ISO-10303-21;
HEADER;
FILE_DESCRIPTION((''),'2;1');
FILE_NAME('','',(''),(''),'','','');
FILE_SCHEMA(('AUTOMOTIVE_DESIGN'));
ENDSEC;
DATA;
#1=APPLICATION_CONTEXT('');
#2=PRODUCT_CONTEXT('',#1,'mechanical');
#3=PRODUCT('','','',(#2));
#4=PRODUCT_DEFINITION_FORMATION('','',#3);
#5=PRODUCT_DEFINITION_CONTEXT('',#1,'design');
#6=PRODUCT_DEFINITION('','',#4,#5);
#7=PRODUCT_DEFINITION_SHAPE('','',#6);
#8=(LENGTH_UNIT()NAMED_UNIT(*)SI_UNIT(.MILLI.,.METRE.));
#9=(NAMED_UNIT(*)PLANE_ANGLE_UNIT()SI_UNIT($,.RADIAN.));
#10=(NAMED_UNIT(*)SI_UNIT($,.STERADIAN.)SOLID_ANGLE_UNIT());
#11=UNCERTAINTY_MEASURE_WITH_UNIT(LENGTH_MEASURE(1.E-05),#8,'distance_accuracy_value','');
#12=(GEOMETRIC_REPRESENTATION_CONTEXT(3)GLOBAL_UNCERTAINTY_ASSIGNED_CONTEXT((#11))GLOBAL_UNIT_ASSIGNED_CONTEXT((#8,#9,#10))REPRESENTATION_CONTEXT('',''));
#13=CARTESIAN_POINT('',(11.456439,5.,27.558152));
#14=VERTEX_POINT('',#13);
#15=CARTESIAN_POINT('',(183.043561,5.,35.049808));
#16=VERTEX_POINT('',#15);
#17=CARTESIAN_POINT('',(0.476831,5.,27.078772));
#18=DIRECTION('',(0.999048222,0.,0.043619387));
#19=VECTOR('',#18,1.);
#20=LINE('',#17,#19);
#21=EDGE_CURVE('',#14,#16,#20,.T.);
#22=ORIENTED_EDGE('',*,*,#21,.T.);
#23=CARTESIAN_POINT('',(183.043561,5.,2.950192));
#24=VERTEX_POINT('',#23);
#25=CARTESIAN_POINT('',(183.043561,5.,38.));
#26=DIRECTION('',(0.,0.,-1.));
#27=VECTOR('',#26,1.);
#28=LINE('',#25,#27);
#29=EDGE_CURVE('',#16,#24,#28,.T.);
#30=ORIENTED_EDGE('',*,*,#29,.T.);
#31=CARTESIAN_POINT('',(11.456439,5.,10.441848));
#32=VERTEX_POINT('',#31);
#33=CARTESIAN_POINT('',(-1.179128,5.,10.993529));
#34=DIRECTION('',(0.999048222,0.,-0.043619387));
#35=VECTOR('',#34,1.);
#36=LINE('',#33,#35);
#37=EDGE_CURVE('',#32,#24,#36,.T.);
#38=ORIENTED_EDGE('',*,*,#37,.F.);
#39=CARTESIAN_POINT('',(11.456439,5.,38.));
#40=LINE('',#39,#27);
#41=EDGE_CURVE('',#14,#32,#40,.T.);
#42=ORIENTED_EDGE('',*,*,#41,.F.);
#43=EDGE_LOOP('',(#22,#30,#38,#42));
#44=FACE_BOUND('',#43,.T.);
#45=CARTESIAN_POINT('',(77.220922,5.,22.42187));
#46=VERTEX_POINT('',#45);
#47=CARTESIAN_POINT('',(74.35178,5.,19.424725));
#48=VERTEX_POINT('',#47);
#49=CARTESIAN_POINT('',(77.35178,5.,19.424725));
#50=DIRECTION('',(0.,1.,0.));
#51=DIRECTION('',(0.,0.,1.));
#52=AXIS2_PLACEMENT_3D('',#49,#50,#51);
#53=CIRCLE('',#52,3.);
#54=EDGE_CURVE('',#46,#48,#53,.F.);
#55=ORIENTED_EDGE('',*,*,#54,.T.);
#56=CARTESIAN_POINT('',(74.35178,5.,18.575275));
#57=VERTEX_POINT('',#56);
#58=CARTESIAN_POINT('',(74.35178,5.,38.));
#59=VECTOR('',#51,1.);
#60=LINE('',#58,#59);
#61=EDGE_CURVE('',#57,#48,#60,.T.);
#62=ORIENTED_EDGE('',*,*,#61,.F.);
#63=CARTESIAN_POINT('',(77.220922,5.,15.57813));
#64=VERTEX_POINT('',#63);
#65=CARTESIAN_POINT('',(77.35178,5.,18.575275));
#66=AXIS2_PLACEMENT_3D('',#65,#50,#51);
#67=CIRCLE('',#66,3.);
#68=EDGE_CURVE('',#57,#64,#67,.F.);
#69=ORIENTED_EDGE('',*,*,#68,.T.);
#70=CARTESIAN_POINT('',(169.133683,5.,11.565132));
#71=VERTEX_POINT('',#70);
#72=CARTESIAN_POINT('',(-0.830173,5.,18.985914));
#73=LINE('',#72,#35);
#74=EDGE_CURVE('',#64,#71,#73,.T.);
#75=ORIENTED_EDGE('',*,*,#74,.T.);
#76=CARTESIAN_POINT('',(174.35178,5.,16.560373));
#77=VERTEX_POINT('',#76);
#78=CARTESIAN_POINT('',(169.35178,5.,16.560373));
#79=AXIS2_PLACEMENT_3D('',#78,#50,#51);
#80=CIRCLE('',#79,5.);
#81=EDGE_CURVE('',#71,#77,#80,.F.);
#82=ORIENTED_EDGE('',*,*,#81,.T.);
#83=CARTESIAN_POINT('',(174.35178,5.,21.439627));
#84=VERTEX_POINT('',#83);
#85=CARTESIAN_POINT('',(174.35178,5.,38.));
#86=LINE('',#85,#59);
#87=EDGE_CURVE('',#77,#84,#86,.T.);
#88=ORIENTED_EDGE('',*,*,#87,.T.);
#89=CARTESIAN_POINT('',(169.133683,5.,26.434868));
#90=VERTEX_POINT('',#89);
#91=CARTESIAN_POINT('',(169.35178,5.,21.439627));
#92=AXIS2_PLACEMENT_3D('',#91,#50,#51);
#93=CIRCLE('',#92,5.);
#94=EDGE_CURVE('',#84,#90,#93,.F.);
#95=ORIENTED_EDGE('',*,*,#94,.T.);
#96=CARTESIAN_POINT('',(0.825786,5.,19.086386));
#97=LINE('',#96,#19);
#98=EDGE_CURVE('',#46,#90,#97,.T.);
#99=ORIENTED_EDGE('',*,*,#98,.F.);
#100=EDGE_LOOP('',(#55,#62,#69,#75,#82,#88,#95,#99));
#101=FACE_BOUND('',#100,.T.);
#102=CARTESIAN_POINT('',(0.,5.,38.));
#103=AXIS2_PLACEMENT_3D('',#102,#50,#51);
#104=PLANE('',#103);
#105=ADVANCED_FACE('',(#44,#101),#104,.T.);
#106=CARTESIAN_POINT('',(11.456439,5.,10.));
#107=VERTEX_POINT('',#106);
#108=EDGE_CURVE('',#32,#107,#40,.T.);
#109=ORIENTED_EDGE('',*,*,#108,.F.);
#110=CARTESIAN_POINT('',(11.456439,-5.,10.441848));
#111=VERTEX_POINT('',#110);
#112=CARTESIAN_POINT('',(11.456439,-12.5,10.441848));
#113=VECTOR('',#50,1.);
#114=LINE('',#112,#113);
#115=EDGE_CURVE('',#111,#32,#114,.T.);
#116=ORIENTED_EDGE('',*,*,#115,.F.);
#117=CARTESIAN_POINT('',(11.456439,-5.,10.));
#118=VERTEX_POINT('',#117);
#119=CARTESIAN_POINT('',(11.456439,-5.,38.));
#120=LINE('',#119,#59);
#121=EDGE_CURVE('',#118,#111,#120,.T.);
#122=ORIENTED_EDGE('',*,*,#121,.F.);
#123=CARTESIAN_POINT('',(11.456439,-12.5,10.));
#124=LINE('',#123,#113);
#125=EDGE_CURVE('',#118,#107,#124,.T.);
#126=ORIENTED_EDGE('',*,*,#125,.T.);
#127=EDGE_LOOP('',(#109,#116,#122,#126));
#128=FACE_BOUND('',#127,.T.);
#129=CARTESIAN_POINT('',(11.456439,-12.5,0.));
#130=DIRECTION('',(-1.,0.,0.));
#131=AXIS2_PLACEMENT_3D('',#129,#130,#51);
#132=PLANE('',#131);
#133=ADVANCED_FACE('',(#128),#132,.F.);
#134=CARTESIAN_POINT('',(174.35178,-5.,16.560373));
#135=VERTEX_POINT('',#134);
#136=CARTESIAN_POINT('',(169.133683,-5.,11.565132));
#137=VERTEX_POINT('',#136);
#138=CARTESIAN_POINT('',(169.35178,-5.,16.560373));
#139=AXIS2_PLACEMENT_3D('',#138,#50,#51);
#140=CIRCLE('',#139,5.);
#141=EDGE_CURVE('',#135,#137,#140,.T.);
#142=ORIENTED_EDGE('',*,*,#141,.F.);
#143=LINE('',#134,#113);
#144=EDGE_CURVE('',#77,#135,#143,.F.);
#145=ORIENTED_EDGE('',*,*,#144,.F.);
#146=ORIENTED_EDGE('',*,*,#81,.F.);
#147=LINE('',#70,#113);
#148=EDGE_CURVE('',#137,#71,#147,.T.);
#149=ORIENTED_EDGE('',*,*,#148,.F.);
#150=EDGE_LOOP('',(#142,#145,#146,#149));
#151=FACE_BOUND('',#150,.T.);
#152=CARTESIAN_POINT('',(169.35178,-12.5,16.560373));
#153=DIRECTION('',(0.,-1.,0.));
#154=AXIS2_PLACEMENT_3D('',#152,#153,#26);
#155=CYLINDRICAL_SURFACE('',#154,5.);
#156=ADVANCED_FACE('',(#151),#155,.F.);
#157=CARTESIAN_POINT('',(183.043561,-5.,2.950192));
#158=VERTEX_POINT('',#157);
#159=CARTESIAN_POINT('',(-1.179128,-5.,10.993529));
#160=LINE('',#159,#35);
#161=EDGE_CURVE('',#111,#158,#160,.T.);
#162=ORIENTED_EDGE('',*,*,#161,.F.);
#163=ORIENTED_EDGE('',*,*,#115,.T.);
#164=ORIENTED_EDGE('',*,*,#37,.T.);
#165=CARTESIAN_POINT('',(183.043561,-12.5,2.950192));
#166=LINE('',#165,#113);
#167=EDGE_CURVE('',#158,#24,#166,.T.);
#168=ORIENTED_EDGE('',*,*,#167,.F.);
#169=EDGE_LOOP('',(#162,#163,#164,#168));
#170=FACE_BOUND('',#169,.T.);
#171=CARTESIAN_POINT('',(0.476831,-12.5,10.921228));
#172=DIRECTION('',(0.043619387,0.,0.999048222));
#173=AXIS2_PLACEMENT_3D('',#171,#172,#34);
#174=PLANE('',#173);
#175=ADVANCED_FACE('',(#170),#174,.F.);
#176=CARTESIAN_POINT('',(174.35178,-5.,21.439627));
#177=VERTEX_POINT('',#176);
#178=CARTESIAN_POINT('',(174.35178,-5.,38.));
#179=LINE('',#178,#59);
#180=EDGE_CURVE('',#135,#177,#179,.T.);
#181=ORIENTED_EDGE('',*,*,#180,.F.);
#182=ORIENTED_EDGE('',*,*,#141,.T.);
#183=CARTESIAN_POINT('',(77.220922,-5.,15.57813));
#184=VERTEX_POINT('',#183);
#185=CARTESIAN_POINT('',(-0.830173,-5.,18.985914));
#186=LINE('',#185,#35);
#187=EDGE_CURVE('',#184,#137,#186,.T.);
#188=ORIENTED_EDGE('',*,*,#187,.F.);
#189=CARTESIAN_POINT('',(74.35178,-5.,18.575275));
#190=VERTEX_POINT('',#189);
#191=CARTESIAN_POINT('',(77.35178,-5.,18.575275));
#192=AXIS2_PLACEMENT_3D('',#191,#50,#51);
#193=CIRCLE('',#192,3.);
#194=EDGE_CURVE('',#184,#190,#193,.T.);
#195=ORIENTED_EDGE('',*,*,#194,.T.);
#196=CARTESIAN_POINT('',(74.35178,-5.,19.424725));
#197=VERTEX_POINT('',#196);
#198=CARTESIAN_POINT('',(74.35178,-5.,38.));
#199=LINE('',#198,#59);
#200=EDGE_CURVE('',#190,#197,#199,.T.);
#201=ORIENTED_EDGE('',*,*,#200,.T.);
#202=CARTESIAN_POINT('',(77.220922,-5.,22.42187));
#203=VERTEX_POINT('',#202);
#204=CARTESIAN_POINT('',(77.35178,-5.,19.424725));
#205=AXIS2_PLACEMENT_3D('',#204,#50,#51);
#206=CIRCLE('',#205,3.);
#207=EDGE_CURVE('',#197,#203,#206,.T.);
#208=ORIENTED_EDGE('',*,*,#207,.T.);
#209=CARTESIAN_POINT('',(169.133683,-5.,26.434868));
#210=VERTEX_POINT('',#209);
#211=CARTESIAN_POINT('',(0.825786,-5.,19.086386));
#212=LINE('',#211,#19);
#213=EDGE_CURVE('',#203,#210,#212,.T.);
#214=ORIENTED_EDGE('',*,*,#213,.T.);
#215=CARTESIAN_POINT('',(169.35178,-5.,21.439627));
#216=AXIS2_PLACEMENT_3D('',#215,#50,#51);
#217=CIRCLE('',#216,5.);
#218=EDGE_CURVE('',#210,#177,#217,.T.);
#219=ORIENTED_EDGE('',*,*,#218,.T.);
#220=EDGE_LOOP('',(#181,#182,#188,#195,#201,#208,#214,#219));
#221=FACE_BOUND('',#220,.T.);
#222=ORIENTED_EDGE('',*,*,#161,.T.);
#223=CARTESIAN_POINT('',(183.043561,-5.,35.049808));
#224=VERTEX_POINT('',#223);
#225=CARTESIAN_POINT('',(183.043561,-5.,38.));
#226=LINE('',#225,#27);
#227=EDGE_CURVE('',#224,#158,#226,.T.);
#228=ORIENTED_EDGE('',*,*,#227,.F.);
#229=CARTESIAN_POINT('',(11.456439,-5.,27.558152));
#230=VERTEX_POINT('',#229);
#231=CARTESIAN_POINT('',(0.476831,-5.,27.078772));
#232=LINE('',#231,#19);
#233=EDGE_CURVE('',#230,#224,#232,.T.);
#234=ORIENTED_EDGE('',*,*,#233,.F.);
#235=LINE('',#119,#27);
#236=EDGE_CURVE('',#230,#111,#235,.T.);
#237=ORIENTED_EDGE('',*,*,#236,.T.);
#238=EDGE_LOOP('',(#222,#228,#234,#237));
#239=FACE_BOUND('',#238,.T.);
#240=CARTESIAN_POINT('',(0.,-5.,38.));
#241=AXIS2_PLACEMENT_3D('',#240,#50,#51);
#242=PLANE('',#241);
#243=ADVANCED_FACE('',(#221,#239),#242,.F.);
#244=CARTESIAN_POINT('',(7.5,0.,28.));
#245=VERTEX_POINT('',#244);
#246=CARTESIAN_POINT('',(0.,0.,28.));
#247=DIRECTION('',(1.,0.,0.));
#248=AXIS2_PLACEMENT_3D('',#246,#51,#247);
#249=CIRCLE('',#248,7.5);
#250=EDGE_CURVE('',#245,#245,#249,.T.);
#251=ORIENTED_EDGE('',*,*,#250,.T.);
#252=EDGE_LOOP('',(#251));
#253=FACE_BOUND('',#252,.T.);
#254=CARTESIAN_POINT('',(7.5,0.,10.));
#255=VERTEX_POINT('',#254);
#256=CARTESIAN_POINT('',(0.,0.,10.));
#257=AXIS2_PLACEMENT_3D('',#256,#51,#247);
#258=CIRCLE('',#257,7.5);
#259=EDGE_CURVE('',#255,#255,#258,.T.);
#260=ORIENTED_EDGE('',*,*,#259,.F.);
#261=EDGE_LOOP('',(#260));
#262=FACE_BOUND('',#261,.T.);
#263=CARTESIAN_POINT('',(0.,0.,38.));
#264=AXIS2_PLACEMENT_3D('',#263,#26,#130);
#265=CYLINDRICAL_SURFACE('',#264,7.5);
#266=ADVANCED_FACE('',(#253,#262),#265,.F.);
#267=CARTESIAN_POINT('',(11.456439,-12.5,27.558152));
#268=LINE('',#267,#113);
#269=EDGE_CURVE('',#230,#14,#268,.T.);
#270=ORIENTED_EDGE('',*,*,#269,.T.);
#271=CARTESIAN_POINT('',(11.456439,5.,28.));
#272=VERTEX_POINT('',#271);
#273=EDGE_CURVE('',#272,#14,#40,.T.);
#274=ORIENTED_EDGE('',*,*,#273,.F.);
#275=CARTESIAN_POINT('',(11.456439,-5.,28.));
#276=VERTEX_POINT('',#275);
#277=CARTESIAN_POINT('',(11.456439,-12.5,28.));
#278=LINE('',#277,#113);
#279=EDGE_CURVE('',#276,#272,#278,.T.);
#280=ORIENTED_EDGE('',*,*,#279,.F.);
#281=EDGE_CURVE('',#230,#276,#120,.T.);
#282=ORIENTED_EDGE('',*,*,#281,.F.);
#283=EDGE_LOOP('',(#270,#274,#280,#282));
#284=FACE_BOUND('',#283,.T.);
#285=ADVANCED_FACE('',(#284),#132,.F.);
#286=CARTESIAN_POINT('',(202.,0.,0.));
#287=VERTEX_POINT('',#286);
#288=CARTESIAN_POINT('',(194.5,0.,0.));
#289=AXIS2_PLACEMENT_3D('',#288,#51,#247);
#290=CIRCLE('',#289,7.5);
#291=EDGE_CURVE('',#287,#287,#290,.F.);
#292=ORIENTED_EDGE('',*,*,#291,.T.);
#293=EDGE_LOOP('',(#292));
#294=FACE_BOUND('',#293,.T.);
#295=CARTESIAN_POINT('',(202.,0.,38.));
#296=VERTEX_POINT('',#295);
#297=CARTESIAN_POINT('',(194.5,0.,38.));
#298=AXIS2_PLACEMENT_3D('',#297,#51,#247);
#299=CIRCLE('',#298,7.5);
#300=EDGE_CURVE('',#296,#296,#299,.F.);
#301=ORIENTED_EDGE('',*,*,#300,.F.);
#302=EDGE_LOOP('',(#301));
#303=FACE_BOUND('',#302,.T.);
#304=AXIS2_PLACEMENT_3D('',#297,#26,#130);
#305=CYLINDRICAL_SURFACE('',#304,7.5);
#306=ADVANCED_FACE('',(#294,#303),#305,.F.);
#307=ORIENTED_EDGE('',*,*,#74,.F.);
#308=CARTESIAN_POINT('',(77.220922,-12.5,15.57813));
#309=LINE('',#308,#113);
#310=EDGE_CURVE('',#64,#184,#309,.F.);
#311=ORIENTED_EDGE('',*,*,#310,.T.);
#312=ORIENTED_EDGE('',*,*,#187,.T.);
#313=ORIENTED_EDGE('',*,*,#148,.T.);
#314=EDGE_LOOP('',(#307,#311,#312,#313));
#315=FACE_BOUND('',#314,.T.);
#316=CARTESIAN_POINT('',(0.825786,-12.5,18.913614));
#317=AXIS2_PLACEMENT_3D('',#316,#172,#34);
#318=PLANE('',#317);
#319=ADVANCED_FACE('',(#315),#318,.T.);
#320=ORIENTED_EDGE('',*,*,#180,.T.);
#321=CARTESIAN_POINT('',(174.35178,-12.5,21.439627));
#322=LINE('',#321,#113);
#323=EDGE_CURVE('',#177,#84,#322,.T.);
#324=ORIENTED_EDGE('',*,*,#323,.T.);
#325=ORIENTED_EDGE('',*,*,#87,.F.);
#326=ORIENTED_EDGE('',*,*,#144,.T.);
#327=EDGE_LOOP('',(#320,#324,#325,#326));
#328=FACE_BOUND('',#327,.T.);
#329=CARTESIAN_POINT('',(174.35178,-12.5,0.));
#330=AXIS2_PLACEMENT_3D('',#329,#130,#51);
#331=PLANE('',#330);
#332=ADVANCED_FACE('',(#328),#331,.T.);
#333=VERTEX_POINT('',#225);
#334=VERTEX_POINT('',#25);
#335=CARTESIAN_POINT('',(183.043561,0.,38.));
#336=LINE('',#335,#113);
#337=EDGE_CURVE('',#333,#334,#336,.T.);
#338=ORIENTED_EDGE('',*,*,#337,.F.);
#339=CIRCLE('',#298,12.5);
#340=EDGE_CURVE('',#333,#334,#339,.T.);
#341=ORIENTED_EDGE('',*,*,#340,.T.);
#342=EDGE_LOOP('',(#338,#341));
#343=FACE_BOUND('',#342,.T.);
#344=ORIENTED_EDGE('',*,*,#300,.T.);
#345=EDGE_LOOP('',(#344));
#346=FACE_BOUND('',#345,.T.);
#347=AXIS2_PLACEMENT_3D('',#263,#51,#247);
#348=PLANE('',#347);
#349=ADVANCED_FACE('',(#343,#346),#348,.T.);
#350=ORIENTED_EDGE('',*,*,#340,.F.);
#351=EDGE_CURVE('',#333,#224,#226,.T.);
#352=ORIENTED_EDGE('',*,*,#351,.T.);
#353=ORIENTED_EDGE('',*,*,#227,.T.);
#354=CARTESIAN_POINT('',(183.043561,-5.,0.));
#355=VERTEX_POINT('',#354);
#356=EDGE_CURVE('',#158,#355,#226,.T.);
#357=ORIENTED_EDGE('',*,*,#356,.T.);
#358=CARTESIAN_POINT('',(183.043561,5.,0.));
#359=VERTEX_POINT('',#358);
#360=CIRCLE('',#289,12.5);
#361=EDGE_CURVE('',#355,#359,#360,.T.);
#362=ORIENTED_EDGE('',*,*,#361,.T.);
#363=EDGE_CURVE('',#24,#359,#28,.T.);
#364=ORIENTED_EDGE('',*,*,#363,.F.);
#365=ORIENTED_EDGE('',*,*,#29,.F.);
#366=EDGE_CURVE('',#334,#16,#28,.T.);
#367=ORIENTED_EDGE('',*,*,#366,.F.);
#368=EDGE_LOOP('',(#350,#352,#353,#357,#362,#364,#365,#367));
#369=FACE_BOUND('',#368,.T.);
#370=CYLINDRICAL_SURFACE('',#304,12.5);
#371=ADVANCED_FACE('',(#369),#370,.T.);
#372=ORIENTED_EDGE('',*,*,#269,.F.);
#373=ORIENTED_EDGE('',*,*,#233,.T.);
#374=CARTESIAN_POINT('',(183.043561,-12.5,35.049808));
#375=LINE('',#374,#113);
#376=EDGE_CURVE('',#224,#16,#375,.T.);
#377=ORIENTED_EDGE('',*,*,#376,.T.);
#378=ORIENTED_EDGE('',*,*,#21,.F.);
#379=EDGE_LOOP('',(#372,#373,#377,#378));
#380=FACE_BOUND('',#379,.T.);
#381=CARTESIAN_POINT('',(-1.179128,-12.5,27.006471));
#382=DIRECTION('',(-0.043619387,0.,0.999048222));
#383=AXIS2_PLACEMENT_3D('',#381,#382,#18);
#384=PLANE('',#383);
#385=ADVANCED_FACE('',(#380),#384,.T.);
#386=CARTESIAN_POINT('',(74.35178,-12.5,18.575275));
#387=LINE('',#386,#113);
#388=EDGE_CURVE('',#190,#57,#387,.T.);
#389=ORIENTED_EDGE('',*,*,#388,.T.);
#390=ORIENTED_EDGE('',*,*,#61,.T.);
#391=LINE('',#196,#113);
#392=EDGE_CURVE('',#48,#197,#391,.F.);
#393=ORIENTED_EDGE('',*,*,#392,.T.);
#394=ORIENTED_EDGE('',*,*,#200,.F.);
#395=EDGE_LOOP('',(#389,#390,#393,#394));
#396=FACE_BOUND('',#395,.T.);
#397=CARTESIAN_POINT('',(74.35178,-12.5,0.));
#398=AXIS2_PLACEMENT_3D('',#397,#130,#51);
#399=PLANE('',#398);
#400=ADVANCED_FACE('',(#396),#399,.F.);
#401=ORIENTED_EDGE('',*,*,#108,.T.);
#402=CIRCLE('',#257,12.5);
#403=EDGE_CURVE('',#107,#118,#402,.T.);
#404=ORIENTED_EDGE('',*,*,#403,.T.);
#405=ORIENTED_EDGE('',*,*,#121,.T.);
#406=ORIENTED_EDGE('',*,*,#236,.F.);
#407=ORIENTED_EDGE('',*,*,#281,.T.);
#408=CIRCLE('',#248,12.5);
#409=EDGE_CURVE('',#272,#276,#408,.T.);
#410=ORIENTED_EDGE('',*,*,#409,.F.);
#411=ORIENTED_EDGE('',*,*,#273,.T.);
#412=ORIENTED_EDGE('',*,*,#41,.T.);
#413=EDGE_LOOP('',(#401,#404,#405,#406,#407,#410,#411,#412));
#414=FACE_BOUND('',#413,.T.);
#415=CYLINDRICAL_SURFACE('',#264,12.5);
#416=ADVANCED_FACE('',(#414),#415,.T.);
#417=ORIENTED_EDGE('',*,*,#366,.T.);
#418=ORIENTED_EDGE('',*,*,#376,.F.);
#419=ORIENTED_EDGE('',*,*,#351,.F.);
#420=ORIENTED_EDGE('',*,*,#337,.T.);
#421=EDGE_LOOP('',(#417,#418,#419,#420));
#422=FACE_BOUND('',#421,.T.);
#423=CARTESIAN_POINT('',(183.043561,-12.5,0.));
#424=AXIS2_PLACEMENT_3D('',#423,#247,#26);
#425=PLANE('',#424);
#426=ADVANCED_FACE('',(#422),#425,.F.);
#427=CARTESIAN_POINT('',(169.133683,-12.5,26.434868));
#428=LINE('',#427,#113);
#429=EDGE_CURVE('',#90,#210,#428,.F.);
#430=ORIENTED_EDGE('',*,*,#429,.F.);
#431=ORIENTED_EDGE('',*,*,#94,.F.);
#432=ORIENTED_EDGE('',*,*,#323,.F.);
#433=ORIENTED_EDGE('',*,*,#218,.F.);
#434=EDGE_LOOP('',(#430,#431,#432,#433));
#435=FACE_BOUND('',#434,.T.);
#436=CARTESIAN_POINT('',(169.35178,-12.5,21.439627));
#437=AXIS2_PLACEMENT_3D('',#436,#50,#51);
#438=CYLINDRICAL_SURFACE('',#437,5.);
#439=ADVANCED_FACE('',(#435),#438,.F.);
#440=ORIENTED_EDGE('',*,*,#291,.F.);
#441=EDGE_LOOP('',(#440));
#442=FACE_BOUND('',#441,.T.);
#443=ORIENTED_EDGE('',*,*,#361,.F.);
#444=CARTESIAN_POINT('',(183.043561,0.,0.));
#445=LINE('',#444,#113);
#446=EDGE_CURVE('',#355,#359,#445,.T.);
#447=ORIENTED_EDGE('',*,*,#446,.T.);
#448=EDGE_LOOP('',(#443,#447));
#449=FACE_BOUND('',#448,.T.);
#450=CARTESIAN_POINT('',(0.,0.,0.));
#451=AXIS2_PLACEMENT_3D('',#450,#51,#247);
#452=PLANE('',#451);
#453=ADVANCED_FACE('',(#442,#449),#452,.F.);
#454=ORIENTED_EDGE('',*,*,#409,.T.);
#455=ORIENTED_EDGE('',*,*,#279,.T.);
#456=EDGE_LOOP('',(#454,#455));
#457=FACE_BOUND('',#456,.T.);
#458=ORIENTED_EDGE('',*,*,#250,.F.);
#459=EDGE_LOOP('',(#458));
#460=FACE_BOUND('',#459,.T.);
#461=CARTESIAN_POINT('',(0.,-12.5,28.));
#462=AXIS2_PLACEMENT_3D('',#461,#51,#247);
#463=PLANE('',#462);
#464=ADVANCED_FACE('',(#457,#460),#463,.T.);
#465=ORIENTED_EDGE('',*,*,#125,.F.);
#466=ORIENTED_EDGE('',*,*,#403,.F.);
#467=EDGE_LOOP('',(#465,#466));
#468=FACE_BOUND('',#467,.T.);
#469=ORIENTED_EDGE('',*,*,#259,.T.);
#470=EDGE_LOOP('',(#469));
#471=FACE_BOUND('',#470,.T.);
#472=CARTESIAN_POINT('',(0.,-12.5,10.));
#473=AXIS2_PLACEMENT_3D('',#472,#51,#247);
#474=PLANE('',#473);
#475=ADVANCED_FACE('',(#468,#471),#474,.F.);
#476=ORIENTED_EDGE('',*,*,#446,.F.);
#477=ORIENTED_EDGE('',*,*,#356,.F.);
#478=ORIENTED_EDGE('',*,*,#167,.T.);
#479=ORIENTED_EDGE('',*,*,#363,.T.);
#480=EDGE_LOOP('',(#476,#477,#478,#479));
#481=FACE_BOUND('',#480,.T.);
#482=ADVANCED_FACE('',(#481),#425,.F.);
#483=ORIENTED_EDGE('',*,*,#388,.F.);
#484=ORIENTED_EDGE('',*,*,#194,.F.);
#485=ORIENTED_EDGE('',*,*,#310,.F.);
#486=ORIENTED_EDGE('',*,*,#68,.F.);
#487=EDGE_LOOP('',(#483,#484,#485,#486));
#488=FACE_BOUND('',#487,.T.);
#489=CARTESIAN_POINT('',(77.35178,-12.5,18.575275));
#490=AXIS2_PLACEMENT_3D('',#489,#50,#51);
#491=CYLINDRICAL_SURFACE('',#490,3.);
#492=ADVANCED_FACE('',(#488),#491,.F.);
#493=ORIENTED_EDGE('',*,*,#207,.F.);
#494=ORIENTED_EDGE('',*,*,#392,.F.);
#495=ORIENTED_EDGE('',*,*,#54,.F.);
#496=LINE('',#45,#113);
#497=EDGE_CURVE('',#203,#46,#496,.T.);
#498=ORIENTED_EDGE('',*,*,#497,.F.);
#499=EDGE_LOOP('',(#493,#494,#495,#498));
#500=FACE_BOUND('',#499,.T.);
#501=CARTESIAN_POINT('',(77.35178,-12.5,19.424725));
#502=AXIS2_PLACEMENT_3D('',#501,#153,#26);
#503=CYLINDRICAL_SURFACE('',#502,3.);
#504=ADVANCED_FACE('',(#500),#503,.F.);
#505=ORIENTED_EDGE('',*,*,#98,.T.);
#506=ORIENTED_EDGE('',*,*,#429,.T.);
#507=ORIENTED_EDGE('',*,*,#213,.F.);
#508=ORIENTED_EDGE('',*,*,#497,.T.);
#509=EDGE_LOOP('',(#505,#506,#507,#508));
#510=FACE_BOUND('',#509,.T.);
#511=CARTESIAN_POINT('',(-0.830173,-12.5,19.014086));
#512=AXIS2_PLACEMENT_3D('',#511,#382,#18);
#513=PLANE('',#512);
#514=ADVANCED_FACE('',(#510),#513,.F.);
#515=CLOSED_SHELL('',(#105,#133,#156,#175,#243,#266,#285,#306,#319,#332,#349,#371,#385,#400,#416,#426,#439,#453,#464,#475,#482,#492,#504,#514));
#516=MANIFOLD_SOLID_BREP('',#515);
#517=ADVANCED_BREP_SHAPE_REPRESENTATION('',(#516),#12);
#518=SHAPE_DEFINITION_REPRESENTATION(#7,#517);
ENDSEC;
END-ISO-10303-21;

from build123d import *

# Parameters (mm, degrees)
SKETCH1_R               = 7.5
BOSS_EXTRUDE1_DEPTH     = 38
SKETCH2_W               = 23.956439237
SKETCH2_H               = 10
CUT_EXTRUDE1_DEPTH      = 8.5
CUT_EXTRUDE1_DEPTH_BACK = 18.5
FILLET1_R               = 3
FILLET2_R               = 5


with BuildPart() as part:
    # Sketch1 → Boss-Extrude1 (new body)
    with BuildSketch(Plane.XY):
        with BuildLine():
            Line((183.043560763, 5), (11.456439237, 5))
            ThreePointArc((11.456439237, 5), (-12.5, 0), (11.456439237, -5))
            Line((11.456439237, -5), (183.043560763, -5))
            ThreePointArc((183.043560763, -5), (207, 0), (183.043560763, 5))
        make_face()
        Circle(SKETCH1_R, mode=Mode.SUBTRACT)
        with Locations((194.5, 0)):
            Circle(SKETCH1_R, mode=Mode.SUBTRACT)
    extrude(amount=BOSS_EXTRUDE1_DEPTH)

    # Sketch2 → Cut-Extrude1 (cut, two sides)
    with BuildSketch(Plane(origin=(0, 5, 0), x_dir=(1, 0, 0), z_dir=(0, 1, 0))) as cut_extrude1_sk:
        Polygon((11.456439237, -27.558152076), (11.456439237, -28), (11.456439237, -38), (183.043560763, -38), (183.043560763, -35.049807592), align=None)
        with Locations((-0.521780381, -33)):
            Rectangle(SKETCH2_W, SKETCH2_H)
        with Locations((-0.521780381, -5)):
            Rectangle(SKETCH2_W, SKETCH2_H)
        Polygon((183.043560763, 0), (11.456439237, 0), (11.456439237, -10), (11.456439237, -10.441847924), (183.043560763, -2.950192408), align=None)
        Polygon((74.351780381, -15.703399507), (74.351780381, -22.296600493), (174.351780381, -26.662694784), (174.351780381, -11.337305216), align=None)
    extrude(amount=CUT_EXTRUDE1_DEPTH, mode=Mode.SUBTRACT)
    extrude(cut_extrude1_sk.sketch, amount=-CUT_EXTRUDE1_DEPTH_BACK, mode=Mode.SUBTRACT)

    # Fillet1
    fillet1_edges = [part.edges().sort_by_distance(p)[0] for p in [
        (74.351780381, 0, 22.296600493),
        (74.351780381, 0, 15.703399507),
    ]]
    fillet(fillet1_edges, radius=FILLET1_R)

    # Fillet2
    fillet2_edges = [part.edges().sort_by_distance(p)[0] for p in [
        (174.351780381, 0, 11.337305216),
        (174.351780381, 0, 26.662694784),
    ]]
    fillet(fillet2_edges, radius=FILLET2_R)


solid = part.part
